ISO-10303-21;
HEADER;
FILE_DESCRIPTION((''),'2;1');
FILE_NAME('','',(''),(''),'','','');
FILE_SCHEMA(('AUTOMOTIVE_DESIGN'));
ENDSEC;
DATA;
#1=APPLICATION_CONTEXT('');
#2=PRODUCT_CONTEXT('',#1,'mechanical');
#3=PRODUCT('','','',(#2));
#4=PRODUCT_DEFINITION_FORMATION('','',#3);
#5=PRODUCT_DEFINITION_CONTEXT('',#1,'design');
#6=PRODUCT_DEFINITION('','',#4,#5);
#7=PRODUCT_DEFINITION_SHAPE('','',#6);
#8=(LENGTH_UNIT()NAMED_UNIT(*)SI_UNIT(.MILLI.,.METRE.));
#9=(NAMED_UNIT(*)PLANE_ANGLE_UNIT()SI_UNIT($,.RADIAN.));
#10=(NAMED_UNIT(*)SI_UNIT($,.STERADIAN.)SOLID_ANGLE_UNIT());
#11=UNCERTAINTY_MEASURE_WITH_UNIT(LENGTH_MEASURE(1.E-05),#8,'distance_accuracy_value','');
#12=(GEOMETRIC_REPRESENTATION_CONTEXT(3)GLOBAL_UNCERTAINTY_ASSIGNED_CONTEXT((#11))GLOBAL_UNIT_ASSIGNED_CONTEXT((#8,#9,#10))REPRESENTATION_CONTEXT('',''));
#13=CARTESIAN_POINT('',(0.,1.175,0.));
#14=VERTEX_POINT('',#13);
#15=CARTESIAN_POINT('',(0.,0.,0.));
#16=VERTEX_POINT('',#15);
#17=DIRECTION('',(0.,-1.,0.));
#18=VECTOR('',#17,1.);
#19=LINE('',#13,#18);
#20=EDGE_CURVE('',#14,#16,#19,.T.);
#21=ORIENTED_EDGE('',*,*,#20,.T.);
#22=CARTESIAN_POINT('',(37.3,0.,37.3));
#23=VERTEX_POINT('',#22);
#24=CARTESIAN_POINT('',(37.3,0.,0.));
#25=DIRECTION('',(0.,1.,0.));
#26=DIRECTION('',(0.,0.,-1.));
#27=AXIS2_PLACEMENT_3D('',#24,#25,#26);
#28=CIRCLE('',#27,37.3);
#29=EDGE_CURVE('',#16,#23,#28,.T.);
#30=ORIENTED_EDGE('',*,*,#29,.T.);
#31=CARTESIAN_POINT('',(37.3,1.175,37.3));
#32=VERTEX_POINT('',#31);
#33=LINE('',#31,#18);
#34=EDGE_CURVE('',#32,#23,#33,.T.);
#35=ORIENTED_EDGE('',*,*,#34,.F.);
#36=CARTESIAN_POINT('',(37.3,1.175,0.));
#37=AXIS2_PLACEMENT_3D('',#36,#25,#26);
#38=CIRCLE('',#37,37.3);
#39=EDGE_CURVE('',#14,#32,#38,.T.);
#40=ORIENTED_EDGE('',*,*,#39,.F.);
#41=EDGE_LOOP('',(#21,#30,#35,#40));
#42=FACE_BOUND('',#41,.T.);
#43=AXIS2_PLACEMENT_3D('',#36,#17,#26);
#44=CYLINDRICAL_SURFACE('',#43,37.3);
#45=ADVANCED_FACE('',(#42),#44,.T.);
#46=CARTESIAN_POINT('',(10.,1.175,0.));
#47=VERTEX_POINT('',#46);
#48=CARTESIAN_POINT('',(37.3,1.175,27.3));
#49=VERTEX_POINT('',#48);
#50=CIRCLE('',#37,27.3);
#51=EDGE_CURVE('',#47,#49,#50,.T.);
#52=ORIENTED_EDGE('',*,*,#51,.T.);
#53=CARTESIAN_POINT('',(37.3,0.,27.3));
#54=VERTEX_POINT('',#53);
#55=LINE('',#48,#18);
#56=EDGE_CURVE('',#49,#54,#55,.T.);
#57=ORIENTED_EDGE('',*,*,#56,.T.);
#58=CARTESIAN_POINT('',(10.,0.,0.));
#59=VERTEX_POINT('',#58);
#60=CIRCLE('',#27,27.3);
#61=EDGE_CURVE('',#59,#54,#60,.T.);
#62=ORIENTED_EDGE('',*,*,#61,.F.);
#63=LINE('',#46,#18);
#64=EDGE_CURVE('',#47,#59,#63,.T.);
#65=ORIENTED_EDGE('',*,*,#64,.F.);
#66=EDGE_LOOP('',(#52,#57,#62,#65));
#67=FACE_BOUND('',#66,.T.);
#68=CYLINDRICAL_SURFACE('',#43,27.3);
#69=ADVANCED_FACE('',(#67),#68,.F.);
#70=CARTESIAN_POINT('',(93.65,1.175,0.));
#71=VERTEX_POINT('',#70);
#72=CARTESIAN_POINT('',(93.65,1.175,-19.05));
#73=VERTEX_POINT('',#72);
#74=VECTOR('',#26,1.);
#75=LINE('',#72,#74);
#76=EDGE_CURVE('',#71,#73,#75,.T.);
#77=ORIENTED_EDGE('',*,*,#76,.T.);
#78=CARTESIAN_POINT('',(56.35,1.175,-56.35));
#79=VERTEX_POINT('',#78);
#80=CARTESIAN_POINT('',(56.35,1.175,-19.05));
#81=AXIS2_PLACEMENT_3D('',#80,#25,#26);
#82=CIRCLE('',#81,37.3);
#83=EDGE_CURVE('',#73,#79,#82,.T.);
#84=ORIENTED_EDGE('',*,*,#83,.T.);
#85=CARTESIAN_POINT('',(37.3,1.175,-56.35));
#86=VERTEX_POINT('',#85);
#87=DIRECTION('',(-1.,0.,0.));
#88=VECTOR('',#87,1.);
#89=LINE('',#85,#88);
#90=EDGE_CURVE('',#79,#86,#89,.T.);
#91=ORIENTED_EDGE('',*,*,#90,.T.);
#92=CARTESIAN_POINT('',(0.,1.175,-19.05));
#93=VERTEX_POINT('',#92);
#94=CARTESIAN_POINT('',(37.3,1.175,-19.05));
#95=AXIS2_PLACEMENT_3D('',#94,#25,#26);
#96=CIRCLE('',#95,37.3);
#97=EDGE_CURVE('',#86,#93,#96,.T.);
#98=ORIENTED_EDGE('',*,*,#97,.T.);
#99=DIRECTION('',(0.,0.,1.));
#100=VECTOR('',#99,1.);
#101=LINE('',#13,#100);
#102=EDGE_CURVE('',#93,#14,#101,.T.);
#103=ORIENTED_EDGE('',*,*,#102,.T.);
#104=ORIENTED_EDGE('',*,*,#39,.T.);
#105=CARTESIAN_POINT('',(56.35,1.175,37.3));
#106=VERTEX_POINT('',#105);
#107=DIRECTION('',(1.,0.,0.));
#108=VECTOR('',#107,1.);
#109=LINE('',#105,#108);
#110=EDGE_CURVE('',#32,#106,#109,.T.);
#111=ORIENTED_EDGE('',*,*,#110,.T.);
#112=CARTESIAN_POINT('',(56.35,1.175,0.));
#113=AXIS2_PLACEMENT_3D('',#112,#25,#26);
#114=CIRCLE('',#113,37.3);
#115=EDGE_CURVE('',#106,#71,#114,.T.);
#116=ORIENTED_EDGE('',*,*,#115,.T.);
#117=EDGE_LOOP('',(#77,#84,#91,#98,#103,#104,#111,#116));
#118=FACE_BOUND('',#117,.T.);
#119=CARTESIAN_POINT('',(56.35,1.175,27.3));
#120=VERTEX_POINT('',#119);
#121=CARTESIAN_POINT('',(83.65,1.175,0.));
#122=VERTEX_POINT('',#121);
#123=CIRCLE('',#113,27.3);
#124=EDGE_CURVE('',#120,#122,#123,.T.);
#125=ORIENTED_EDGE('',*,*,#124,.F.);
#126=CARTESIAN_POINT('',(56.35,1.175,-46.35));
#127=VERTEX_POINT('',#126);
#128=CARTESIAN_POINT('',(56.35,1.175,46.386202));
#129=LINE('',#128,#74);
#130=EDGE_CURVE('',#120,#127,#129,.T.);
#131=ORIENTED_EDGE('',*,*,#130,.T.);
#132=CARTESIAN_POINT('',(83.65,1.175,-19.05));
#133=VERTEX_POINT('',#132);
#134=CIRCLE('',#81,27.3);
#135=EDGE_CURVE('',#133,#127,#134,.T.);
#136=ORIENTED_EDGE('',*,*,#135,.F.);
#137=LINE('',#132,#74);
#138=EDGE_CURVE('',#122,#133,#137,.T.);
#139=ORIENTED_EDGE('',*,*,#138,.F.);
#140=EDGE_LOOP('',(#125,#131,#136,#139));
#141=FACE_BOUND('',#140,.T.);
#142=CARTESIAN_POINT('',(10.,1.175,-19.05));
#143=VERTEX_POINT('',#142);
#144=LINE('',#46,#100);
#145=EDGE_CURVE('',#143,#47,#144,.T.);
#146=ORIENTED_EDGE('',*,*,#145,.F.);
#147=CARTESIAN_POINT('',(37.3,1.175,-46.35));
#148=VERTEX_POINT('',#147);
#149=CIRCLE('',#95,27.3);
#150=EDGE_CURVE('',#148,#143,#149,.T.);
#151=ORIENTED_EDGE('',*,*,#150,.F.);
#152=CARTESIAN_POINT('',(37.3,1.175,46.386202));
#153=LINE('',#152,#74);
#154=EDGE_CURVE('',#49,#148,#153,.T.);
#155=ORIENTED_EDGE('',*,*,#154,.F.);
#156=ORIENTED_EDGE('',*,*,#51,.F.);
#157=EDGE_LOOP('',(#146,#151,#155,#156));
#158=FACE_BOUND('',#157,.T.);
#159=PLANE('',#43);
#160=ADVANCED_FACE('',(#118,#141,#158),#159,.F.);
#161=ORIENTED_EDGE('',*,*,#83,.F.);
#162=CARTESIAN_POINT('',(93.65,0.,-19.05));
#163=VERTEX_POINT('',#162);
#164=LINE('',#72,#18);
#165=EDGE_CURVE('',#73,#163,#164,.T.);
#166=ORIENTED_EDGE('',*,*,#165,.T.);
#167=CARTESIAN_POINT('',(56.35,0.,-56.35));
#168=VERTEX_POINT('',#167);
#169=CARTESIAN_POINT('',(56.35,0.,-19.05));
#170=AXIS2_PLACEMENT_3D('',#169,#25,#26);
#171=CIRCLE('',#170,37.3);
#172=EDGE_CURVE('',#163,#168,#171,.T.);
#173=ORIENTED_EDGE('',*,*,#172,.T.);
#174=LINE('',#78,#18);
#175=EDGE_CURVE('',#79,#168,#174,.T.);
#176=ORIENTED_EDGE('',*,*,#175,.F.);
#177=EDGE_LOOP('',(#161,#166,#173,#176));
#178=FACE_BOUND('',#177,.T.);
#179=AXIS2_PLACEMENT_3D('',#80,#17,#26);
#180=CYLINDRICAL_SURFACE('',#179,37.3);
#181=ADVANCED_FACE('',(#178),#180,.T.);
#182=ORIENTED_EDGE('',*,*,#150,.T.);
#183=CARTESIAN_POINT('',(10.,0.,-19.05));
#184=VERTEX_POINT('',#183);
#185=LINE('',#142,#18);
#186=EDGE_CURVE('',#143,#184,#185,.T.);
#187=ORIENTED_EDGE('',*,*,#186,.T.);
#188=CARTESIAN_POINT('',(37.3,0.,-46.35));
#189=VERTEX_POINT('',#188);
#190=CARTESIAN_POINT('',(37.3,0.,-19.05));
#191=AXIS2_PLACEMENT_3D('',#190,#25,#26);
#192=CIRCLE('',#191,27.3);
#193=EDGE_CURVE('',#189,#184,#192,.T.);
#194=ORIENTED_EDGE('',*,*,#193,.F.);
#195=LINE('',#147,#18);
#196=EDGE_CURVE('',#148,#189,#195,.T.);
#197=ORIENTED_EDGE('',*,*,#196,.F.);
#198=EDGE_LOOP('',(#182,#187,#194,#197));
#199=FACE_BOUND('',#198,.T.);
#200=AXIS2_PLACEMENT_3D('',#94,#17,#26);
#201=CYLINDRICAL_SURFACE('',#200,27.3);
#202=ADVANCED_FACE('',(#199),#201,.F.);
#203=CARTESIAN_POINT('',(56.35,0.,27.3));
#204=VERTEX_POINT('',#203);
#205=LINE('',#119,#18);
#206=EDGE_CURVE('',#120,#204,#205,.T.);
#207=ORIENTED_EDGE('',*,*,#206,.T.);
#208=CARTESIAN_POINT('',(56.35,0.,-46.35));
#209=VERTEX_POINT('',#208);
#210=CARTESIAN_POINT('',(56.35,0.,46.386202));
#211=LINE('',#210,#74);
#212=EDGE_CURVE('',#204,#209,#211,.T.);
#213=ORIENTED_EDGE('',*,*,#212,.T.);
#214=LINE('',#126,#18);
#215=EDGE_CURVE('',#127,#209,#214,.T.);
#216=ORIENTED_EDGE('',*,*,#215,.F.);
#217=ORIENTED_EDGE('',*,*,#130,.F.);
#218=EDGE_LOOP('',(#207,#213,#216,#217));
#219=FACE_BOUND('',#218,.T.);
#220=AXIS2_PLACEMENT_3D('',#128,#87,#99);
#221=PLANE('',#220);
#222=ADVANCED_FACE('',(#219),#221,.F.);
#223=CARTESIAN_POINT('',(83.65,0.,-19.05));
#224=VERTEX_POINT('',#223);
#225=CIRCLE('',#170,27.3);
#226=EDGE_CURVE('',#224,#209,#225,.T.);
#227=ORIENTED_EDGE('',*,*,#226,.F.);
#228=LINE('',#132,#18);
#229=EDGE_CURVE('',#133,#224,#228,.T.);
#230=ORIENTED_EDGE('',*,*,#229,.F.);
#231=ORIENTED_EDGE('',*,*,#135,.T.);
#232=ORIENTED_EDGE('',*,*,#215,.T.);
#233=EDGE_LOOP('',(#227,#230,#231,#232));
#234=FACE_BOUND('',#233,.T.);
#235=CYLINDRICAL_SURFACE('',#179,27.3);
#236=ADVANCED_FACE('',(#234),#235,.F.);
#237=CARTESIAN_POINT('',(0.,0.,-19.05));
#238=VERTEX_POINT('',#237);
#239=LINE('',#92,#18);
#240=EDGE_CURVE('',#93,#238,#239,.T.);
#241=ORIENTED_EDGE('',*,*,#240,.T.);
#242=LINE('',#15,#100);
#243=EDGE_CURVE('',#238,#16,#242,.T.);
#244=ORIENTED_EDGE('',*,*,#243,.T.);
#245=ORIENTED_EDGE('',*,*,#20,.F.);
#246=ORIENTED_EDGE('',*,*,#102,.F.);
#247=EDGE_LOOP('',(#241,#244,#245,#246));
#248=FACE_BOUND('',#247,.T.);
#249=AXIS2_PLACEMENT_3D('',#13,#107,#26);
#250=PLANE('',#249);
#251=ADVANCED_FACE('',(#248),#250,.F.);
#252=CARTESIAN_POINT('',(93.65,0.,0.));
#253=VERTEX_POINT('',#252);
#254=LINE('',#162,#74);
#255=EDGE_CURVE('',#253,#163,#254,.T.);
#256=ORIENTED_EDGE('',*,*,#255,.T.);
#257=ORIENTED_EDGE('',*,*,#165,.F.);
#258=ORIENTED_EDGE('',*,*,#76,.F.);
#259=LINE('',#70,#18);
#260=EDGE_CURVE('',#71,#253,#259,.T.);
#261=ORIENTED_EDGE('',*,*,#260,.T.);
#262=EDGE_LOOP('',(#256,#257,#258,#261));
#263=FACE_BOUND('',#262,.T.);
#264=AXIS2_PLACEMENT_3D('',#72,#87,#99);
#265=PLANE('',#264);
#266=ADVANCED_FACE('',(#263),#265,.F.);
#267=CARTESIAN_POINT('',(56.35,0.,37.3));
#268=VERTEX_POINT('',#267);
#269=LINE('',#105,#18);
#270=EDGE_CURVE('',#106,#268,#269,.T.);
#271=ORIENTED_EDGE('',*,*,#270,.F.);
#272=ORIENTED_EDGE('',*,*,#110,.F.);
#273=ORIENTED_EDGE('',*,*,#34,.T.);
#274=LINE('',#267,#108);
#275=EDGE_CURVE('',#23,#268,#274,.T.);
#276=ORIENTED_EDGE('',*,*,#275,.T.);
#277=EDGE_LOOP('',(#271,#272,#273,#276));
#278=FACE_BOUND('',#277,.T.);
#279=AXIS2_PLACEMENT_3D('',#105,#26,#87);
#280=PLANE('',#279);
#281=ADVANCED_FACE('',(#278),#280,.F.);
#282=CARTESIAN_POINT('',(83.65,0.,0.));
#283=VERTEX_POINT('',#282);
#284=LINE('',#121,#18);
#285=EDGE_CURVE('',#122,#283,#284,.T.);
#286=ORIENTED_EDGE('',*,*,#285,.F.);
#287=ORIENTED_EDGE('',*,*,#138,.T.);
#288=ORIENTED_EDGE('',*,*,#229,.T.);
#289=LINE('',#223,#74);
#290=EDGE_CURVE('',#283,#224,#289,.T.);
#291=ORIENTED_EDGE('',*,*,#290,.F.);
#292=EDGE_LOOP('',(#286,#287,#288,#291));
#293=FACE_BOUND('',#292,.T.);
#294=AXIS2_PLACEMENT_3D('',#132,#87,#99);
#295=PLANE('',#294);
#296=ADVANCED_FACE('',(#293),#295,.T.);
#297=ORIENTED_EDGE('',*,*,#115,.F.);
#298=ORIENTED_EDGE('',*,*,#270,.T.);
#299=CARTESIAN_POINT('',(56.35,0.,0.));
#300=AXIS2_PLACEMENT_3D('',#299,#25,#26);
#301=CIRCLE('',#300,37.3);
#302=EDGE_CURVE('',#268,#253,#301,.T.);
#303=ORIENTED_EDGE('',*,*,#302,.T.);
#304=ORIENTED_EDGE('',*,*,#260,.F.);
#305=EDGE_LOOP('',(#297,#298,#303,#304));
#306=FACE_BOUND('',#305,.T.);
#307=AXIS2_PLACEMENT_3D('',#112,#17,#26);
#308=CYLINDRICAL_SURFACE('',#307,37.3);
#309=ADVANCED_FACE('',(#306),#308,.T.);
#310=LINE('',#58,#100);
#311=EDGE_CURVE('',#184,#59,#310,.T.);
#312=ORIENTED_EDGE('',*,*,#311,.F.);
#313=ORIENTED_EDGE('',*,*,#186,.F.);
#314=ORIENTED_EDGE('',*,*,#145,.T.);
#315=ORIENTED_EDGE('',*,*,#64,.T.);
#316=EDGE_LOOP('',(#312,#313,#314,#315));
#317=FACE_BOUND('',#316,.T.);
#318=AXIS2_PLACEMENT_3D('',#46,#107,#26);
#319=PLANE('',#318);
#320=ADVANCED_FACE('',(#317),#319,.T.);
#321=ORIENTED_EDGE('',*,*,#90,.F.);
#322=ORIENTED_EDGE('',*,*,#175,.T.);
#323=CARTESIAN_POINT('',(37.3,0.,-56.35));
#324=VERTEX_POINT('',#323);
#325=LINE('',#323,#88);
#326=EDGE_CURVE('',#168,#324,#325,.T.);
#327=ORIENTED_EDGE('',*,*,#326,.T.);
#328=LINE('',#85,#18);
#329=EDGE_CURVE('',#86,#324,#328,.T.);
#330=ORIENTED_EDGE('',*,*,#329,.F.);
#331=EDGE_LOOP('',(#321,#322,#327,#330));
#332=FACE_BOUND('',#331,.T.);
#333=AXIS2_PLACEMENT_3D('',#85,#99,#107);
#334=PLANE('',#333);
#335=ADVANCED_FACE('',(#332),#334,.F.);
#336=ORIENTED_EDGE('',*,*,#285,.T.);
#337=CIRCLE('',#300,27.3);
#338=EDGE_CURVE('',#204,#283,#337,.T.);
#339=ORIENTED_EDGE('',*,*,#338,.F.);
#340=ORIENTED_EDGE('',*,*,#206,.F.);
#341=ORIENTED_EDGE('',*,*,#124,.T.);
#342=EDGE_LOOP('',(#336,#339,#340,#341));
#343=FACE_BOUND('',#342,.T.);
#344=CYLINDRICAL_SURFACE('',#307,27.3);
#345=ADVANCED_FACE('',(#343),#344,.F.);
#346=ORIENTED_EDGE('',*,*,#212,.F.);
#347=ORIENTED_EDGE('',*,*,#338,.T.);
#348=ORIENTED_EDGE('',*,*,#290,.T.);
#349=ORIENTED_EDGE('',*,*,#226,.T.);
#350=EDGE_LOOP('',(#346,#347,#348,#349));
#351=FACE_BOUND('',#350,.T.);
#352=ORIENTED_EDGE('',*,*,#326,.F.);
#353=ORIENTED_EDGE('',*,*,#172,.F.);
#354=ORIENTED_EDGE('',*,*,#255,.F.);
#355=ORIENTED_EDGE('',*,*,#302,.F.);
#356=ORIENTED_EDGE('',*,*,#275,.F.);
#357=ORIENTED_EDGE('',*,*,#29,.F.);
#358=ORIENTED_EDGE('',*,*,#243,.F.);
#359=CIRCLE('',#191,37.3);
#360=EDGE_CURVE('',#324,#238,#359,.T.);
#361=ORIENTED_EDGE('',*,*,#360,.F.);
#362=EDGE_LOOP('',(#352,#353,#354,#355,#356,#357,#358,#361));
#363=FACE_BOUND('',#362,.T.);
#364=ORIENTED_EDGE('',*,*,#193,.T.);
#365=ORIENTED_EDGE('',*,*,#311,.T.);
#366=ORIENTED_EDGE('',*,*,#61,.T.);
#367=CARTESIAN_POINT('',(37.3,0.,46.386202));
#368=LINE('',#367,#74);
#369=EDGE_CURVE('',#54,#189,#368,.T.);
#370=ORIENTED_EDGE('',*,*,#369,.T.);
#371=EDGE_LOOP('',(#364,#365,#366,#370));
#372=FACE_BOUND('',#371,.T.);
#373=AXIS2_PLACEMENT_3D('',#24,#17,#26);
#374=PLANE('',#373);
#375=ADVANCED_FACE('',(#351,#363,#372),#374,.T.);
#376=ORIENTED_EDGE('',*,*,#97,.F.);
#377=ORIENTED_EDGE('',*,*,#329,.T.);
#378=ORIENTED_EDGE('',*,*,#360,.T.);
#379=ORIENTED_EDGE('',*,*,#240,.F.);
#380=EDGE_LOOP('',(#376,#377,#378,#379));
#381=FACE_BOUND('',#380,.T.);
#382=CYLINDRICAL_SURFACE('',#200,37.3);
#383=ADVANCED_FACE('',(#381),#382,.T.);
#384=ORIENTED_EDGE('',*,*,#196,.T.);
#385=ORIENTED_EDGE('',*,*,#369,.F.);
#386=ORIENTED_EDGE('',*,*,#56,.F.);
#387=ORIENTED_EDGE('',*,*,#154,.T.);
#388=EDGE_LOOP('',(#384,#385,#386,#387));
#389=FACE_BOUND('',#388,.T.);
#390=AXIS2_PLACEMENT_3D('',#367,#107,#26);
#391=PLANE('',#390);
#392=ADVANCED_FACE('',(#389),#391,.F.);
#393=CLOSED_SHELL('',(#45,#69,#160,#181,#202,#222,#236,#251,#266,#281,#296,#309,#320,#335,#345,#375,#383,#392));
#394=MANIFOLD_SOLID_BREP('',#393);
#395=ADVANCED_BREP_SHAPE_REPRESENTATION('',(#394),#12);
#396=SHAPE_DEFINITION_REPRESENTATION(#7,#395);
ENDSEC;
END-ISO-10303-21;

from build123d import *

# Parameters (mm, degrees)
BOSS_EXTRUDE1_DEPTH = 1.175
BOSS_EXTRUDE2_REACH = 127.575
SKETCH4_W           = 19.05
SKETCH4_H           = 1.175


with BuildPart() as part:
    # Sketch1 → Boss-Extrude1 (new body)
    with BuildSketch(Plane(origin=(0, 0, 0), x_dir=(1, 0, 0), z_dir=(0, 1, 0))):
        with BuildLine():
            Line((0, 0), (0, 19.05))
            ThreePointArc((0, 19.05), (10.924917062, 45.425082938), (37.3, 56.35))
            Line((37.3, 56.35), (56.35, 56.35))
            ThreePointArc((56.35, 56.35), (82.725082938, 45.425082938), (93.65, 19.05))
            Line((93.65, 19.05), (93.65, 0))
            ThreePointArc((93.65, 0), (82.725082938, -26.375082938), (56.35, -37.3))
            Line((56.35, -37.3), (37.3, -37.3))
            ThreePointArc((37.3, -37.3), (10.924917062, -26.375082938), (0, 0))
        make_face()
        with BuildLine():
            Line((10, 0), (10, 19.05))
            ThreePointArc((10, 19.05), (17.995984874, 38.354015126), (37.3, 46.35))
            Line((37.3, 46.35), (56.35, 46.35))
            ThreePointArc((56.35, 46.35), (75.654015126, 38.354015126), (83.65, 19.05))
            Line((83.65, 19.05), (83.65, 0))
            ThreePointArc((83.65, 0), (75.654015126, -19.304015126), (56.35, -27.3))
            Line((56.35, -27.3), (37.3, -27.3))
            ThreePointArc((37.3, -27.3), (17.995984874, -19.304015126), (10, 0))
        make_face(mode=Mode.SUBTRACT)
    extrude(amount=BOSS_EXTRUDE1_DEPTH)

    # Boss-Extrude2: up to this face of the body (flat: up to its plane)
    boss_extrude2_end = Plane(part.part.faces().sort_by_distance((46.825, 0.5875, 27.3))[0])
    # Sketch4 → Boss-Extrude2 (add, up to the picked face)
    with BuildSketch(Plane.XY.offset(-46.35), mode=Mode.PRIVATE) as boss_extrude2_sk1:
        with Locations((46.825, 0.5875)):
            Rectangle(SKETCH4_W, SKETCH4_H)
    boss_extrude2_tool1 = split(extrude(boss_extrude2_sk1.sketch, amount=BOSS_EXTRUDE2_REACH, mode=Mode.PRIVATE), bisect_by=boss_extrude2_end, keep=Keep.BOTH, mode=Mode.PRIVATE)
    add(boss_extrude2_tool1.solids().sort_by(Axis((46.825, 0.5875, -46.35), (0, 0, 1)))[0])


solid = part.part
